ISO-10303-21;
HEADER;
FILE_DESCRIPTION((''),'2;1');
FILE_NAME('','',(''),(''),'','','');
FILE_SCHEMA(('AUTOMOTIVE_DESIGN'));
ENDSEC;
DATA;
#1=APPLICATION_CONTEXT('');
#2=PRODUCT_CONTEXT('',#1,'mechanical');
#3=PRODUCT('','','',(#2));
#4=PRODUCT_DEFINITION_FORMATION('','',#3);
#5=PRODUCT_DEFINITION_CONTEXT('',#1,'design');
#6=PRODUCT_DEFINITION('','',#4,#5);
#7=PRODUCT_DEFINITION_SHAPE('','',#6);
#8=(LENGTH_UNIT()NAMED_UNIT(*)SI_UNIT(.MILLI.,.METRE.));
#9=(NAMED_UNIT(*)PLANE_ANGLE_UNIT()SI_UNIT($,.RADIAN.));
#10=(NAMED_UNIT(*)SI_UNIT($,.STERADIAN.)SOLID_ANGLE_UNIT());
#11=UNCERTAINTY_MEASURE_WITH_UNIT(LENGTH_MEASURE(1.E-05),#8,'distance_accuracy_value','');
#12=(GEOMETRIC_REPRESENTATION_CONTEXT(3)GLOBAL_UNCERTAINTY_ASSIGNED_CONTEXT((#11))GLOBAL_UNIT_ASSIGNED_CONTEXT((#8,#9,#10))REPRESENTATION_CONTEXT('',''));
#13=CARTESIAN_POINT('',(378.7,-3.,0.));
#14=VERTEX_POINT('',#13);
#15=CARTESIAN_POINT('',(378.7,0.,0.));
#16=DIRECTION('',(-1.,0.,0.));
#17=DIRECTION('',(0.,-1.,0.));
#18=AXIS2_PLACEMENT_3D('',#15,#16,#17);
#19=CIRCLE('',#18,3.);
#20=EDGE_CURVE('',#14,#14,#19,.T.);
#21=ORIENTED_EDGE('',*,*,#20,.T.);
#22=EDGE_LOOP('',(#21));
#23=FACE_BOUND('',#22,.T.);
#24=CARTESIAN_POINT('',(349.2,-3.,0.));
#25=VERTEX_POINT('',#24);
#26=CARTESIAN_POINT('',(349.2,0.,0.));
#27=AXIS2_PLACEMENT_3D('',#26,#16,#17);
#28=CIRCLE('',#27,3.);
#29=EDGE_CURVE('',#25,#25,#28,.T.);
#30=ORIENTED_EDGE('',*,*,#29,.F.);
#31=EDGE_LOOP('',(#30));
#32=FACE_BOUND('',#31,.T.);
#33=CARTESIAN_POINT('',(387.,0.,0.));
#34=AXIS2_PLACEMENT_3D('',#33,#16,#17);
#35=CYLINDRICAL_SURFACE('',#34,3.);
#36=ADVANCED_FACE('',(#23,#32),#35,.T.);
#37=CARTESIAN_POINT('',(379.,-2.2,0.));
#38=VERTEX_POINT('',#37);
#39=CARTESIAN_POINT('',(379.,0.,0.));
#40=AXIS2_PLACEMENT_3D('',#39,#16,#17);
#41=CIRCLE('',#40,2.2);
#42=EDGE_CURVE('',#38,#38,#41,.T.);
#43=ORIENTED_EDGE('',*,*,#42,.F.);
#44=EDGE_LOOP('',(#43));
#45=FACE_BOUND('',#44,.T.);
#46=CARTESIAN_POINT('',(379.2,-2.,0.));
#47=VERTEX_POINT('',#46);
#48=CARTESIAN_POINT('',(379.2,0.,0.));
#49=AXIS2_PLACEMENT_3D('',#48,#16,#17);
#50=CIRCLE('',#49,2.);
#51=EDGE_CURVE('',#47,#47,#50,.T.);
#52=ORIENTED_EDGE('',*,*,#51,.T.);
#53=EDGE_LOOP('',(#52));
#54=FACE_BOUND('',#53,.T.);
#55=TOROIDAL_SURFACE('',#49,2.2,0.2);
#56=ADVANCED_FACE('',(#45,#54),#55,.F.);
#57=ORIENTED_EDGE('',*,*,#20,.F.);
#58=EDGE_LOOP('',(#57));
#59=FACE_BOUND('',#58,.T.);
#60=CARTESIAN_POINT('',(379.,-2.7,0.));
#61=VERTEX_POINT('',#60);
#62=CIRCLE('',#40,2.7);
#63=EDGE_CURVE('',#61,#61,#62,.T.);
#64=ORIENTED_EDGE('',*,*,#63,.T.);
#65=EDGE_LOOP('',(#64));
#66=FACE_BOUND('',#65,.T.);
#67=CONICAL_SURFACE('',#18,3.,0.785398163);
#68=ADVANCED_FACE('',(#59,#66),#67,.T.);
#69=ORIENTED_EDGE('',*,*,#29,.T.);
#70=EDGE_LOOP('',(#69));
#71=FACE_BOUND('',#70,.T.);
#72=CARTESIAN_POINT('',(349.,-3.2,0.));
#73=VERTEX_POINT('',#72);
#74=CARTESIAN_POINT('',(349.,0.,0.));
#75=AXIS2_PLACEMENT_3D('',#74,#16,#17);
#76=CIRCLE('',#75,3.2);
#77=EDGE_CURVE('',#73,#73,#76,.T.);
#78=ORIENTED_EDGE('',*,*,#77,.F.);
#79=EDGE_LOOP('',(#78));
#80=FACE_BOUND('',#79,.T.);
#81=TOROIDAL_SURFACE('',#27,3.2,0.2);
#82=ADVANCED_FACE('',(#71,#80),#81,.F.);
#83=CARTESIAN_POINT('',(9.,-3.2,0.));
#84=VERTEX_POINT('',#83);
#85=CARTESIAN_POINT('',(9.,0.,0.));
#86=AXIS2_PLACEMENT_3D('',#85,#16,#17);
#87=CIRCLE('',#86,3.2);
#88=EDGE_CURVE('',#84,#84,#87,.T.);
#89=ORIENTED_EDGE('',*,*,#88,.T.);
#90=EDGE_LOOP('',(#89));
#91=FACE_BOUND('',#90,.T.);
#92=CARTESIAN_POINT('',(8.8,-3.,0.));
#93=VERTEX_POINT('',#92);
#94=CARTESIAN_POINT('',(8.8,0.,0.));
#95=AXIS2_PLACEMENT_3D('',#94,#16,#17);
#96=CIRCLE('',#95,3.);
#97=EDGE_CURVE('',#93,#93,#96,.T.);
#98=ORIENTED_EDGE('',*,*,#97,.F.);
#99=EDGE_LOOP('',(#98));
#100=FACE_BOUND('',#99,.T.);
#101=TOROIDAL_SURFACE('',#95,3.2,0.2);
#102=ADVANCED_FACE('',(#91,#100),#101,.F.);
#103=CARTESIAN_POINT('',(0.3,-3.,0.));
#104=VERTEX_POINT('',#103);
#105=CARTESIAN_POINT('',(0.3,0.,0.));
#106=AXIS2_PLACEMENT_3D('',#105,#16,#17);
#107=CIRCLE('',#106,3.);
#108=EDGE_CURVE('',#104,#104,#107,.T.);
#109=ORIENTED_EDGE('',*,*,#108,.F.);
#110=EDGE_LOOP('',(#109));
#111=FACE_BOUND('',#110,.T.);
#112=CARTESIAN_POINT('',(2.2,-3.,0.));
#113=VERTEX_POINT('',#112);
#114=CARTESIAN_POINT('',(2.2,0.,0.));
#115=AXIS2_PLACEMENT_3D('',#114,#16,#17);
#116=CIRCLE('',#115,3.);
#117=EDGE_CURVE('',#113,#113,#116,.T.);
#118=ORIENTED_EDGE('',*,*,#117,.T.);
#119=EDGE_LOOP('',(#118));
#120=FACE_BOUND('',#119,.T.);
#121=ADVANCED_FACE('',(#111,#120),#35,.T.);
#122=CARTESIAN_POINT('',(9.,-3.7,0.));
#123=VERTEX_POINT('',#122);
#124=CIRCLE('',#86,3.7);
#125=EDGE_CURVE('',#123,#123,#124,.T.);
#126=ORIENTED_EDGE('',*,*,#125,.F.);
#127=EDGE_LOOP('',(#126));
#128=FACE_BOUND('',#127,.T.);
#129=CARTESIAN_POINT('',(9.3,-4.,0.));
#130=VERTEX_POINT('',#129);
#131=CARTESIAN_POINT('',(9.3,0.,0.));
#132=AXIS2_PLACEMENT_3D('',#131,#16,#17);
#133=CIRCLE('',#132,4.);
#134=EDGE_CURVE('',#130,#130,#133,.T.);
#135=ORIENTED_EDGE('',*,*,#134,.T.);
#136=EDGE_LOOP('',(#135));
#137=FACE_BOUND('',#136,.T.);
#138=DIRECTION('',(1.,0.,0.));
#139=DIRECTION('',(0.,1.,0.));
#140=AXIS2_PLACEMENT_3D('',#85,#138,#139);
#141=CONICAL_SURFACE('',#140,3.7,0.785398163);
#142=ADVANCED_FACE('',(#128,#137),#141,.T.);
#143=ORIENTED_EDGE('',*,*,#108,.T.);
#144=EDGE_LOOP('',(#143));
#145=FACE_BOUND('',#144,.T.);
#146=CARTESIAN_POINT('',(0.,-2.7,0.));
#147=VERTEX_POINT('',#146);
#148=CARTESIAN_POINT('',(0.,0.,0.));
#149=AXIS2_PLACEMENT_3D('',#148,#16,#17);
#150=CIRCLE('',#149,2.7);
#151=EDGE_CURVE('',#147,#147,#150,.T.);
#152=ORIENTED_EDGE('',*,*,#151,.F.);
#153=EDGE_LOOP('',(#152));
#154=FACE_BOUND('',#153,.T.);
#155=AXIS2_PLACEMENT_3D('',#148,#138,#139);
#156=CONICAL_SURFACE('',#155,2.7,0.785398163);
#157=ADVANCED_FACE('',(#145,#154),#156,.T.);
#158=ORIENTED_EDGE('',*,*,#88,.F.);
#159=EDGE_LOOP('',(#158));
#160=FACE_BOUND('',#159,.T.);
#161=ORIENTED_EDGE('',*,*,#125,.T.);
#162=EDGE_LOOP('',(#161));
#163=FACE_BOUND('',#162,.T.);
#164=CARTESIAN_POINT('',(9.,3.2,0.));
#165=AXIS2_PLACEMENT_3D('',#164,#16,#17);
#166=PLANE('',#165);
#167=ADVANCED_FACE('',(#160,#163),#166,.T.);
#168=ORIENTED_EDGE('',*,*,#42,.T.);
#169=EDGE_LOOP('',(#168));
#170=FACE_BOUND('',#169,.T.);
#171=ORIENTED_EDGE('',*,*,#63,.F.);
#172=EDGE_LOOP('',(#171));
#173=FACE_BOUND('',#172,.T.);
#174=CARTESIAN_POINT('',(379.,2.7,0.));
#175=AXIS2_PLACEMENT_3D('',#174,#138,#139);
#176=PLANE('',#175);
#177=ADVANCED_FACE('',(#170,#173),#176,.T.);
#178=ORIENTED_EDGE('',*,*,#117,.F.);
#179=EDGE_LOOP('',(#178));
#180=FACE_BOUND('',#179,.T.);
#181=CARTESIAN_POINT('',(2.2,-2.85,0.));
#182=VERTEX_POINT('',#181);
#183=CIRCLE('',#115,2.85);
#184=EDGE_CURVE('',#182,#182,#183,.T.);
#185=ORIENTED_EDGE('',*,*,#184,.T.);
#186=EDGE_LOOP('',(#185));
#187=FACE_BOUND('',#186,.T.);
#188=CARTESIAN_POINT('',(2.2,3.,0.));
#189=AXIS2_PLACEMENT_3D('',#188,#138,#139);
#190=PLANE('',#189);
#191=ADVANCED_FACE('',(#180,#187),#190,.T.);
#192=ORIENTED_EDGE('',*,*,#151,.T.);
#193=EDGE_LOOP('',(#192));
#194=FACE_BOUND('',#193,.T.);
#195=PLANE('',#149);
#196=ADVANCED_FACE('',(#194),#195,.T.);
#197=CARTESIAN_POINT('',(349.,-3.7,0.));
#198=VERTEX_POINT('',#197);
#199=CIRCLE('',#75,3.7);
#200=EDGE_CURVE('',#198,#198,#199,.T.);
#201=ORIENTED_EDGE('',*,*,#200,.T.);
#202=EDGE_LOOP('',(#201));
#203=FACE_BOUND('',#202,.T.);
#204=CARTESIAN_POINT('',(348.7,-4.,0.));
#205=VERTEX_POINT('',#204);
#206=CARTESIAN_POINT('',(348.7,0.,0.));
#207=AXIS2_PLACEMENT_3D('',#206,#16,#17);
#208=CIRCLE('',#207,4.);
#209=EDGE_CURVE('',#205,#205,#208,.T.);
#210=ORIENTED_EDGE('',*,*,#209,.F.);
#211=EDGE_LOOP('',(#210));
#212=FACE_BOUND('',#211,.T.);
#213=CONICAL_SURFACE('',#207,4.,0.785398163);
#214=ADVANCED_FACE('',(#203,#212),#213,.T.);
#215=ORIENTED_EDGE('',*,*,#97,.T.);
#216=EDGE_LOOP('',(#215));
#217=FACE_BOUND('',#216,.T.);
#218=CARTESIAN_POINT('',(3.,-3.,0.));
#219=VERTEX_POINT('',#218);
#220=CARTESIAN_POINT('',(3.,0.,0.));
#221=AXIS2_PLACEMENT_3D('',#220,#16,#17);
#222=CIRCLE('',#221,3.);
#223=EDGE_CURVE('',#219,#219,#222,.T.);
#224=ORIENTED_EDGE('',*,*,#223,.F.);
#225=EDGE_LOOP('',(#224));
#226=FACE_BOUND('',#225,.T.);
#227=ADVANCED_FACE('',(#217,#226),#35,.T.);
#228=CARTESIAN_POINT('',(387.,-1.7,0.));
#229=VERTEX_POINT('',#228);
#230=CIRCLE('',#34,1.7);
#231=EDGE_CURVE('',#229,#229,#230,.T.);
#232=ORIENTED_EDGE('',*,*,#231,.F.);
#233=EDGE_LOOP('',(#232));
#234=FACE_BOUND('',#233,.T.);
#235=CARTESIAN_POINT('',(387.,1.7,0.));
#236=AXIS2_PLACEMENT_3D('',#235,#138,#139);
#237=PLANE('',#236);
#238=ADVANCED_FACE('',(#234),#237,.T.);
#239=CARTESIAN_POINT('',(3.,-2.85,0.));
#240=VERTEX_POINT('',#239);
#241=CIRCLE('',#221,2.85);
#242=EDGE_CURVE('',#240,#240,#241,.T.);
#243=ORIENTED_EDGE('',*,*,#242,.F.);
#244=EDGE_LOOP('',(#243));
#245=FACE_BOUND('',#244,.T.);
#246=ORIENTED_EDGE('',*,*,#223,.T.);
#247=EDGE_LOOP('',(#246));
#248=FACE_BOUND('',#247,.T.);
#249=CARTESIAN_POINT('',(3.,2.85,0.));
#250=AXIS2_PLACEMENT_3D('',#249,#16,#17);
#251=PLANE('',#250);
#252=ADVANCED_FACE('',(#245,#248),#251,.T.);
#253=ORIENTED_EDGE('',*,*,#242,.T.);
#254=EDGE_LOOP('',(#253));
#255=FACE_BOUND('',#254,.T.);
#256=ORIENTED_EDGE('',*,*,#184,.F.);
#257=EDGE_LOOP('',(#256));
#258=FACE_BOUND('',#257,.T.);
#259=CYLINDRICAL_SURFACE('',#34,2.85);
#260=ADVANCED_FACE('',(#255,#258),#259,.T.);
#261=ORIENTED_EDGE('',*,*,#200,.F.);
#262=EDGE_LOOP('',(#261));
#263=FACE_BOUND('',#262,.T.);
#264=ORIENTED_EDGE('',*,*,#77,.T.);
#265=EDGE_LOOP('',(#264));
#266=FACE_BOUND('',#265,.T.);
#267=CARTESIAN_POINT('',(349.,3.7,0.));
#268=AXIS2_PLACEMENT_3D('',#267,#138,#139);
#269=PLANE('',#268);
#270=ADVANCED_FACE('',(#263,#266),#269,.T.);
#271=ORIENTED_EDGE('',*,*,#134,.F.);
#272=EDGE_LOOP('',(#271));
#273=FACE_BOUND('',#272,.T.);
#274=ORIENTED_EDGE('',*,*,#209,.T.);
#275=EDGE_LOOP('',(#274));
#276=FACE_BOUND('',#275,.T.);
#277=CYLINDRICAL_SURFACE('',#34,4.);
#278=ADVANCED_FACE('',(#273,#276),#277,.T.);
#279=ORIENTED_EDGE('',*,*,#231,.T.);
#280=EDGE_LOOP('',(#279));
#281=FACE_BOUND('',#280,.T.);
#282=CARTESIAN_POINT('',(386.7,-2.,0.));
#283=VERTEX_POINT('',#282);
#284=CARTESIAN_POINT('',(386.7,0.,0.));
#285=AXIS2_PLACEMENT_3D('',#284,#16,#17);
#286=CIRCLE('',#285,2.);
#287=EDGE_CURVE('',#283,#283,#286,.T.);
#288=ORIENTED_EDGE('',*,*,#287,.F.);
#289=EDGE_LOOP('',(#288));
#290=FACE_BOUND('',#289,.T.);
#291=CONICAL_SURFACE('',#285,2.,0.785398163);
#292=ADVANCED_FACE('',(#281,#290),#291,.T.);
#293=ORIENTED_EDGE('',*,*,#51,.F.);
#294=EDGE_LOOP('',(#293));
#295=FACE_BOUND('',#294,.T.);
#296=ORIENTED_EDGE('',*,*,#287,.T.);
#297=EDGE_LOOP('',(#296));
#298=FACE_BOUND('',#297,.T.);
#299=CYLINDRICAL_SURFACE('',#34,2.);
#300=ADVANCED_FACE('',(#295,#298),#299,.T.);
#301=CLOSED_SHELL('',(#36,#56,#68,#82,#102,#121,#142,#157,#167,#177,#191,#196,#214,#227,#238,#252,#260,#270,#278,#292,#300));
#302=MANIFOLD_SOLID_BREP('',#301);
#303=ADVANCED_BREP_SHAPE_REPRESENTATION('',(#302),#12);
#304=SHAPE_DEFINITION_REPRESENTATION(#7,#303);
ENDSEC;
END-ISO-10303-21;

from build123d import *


with BuildPart() as part:
    # 草图1 → 旋转1 (revolve)
    with BuildSketch(Plane(origin=(0, 0, 0), x_dir=(-1, 0, 0), z_dir=(0, 0, -1)), mode=Mode.PRIVATE) as revolve_1_sk:
        with BuildLine():
            Line((-387, 1.7), (-387, 0))
            Line((-387, 0), (0, 0))
            Line((0, 0), (0, 2.7))
            Line((0, 2.7), (-0.3, 3))
            Line((-0.3, 3), (-2.2, 3))
            Line((-2.2, 3), (-2.2, 2.85))
            Line((-2.2, 2.85), (-3, 2.85))
            Line((-3, 2.85), (-3, 3))
            Line((-3, 3), (-8.8, 3))
            ThreePointArc((-8.8, 3), (-8.941421356, 3.058578644), (-9, 3.2))
            Line((-9, 3.2), (-9, 3.7))
            Line((-9, 3.7), (-9.3, 4))
            Line((-9.3, 4), (-348.7, 4))
            Line((-348.7, 4), (-349, 3.7))
            Line((-349, 3.7), (-349, 3.2))
            ThreePointArc((-349, 3.2), (-349.058578644, 3.058578644), (-349.2, 3))
            Line((-349.2, 3), (-378.7, 3))
            Line((-378.7, 3), (-379, 2.7))
            Line((-379, 2.7), (-379, 2.2))
            ThreePointArc((-379, 2.2), (-379.058578644, 2.058578644), (-379.2, 2))
            Line((-379.2, 2), (-386.7, 2))
            Line((-386.7, 2), (-387, 1.7))
        make_face()
    revolve(revolve_1_sk.sketch.rotate(Axis((387, 0, 0), (-1, 0, 0)), 180), axis=Axis((387, 0, 0), (-1, 0, 0)))


solid = part.part
